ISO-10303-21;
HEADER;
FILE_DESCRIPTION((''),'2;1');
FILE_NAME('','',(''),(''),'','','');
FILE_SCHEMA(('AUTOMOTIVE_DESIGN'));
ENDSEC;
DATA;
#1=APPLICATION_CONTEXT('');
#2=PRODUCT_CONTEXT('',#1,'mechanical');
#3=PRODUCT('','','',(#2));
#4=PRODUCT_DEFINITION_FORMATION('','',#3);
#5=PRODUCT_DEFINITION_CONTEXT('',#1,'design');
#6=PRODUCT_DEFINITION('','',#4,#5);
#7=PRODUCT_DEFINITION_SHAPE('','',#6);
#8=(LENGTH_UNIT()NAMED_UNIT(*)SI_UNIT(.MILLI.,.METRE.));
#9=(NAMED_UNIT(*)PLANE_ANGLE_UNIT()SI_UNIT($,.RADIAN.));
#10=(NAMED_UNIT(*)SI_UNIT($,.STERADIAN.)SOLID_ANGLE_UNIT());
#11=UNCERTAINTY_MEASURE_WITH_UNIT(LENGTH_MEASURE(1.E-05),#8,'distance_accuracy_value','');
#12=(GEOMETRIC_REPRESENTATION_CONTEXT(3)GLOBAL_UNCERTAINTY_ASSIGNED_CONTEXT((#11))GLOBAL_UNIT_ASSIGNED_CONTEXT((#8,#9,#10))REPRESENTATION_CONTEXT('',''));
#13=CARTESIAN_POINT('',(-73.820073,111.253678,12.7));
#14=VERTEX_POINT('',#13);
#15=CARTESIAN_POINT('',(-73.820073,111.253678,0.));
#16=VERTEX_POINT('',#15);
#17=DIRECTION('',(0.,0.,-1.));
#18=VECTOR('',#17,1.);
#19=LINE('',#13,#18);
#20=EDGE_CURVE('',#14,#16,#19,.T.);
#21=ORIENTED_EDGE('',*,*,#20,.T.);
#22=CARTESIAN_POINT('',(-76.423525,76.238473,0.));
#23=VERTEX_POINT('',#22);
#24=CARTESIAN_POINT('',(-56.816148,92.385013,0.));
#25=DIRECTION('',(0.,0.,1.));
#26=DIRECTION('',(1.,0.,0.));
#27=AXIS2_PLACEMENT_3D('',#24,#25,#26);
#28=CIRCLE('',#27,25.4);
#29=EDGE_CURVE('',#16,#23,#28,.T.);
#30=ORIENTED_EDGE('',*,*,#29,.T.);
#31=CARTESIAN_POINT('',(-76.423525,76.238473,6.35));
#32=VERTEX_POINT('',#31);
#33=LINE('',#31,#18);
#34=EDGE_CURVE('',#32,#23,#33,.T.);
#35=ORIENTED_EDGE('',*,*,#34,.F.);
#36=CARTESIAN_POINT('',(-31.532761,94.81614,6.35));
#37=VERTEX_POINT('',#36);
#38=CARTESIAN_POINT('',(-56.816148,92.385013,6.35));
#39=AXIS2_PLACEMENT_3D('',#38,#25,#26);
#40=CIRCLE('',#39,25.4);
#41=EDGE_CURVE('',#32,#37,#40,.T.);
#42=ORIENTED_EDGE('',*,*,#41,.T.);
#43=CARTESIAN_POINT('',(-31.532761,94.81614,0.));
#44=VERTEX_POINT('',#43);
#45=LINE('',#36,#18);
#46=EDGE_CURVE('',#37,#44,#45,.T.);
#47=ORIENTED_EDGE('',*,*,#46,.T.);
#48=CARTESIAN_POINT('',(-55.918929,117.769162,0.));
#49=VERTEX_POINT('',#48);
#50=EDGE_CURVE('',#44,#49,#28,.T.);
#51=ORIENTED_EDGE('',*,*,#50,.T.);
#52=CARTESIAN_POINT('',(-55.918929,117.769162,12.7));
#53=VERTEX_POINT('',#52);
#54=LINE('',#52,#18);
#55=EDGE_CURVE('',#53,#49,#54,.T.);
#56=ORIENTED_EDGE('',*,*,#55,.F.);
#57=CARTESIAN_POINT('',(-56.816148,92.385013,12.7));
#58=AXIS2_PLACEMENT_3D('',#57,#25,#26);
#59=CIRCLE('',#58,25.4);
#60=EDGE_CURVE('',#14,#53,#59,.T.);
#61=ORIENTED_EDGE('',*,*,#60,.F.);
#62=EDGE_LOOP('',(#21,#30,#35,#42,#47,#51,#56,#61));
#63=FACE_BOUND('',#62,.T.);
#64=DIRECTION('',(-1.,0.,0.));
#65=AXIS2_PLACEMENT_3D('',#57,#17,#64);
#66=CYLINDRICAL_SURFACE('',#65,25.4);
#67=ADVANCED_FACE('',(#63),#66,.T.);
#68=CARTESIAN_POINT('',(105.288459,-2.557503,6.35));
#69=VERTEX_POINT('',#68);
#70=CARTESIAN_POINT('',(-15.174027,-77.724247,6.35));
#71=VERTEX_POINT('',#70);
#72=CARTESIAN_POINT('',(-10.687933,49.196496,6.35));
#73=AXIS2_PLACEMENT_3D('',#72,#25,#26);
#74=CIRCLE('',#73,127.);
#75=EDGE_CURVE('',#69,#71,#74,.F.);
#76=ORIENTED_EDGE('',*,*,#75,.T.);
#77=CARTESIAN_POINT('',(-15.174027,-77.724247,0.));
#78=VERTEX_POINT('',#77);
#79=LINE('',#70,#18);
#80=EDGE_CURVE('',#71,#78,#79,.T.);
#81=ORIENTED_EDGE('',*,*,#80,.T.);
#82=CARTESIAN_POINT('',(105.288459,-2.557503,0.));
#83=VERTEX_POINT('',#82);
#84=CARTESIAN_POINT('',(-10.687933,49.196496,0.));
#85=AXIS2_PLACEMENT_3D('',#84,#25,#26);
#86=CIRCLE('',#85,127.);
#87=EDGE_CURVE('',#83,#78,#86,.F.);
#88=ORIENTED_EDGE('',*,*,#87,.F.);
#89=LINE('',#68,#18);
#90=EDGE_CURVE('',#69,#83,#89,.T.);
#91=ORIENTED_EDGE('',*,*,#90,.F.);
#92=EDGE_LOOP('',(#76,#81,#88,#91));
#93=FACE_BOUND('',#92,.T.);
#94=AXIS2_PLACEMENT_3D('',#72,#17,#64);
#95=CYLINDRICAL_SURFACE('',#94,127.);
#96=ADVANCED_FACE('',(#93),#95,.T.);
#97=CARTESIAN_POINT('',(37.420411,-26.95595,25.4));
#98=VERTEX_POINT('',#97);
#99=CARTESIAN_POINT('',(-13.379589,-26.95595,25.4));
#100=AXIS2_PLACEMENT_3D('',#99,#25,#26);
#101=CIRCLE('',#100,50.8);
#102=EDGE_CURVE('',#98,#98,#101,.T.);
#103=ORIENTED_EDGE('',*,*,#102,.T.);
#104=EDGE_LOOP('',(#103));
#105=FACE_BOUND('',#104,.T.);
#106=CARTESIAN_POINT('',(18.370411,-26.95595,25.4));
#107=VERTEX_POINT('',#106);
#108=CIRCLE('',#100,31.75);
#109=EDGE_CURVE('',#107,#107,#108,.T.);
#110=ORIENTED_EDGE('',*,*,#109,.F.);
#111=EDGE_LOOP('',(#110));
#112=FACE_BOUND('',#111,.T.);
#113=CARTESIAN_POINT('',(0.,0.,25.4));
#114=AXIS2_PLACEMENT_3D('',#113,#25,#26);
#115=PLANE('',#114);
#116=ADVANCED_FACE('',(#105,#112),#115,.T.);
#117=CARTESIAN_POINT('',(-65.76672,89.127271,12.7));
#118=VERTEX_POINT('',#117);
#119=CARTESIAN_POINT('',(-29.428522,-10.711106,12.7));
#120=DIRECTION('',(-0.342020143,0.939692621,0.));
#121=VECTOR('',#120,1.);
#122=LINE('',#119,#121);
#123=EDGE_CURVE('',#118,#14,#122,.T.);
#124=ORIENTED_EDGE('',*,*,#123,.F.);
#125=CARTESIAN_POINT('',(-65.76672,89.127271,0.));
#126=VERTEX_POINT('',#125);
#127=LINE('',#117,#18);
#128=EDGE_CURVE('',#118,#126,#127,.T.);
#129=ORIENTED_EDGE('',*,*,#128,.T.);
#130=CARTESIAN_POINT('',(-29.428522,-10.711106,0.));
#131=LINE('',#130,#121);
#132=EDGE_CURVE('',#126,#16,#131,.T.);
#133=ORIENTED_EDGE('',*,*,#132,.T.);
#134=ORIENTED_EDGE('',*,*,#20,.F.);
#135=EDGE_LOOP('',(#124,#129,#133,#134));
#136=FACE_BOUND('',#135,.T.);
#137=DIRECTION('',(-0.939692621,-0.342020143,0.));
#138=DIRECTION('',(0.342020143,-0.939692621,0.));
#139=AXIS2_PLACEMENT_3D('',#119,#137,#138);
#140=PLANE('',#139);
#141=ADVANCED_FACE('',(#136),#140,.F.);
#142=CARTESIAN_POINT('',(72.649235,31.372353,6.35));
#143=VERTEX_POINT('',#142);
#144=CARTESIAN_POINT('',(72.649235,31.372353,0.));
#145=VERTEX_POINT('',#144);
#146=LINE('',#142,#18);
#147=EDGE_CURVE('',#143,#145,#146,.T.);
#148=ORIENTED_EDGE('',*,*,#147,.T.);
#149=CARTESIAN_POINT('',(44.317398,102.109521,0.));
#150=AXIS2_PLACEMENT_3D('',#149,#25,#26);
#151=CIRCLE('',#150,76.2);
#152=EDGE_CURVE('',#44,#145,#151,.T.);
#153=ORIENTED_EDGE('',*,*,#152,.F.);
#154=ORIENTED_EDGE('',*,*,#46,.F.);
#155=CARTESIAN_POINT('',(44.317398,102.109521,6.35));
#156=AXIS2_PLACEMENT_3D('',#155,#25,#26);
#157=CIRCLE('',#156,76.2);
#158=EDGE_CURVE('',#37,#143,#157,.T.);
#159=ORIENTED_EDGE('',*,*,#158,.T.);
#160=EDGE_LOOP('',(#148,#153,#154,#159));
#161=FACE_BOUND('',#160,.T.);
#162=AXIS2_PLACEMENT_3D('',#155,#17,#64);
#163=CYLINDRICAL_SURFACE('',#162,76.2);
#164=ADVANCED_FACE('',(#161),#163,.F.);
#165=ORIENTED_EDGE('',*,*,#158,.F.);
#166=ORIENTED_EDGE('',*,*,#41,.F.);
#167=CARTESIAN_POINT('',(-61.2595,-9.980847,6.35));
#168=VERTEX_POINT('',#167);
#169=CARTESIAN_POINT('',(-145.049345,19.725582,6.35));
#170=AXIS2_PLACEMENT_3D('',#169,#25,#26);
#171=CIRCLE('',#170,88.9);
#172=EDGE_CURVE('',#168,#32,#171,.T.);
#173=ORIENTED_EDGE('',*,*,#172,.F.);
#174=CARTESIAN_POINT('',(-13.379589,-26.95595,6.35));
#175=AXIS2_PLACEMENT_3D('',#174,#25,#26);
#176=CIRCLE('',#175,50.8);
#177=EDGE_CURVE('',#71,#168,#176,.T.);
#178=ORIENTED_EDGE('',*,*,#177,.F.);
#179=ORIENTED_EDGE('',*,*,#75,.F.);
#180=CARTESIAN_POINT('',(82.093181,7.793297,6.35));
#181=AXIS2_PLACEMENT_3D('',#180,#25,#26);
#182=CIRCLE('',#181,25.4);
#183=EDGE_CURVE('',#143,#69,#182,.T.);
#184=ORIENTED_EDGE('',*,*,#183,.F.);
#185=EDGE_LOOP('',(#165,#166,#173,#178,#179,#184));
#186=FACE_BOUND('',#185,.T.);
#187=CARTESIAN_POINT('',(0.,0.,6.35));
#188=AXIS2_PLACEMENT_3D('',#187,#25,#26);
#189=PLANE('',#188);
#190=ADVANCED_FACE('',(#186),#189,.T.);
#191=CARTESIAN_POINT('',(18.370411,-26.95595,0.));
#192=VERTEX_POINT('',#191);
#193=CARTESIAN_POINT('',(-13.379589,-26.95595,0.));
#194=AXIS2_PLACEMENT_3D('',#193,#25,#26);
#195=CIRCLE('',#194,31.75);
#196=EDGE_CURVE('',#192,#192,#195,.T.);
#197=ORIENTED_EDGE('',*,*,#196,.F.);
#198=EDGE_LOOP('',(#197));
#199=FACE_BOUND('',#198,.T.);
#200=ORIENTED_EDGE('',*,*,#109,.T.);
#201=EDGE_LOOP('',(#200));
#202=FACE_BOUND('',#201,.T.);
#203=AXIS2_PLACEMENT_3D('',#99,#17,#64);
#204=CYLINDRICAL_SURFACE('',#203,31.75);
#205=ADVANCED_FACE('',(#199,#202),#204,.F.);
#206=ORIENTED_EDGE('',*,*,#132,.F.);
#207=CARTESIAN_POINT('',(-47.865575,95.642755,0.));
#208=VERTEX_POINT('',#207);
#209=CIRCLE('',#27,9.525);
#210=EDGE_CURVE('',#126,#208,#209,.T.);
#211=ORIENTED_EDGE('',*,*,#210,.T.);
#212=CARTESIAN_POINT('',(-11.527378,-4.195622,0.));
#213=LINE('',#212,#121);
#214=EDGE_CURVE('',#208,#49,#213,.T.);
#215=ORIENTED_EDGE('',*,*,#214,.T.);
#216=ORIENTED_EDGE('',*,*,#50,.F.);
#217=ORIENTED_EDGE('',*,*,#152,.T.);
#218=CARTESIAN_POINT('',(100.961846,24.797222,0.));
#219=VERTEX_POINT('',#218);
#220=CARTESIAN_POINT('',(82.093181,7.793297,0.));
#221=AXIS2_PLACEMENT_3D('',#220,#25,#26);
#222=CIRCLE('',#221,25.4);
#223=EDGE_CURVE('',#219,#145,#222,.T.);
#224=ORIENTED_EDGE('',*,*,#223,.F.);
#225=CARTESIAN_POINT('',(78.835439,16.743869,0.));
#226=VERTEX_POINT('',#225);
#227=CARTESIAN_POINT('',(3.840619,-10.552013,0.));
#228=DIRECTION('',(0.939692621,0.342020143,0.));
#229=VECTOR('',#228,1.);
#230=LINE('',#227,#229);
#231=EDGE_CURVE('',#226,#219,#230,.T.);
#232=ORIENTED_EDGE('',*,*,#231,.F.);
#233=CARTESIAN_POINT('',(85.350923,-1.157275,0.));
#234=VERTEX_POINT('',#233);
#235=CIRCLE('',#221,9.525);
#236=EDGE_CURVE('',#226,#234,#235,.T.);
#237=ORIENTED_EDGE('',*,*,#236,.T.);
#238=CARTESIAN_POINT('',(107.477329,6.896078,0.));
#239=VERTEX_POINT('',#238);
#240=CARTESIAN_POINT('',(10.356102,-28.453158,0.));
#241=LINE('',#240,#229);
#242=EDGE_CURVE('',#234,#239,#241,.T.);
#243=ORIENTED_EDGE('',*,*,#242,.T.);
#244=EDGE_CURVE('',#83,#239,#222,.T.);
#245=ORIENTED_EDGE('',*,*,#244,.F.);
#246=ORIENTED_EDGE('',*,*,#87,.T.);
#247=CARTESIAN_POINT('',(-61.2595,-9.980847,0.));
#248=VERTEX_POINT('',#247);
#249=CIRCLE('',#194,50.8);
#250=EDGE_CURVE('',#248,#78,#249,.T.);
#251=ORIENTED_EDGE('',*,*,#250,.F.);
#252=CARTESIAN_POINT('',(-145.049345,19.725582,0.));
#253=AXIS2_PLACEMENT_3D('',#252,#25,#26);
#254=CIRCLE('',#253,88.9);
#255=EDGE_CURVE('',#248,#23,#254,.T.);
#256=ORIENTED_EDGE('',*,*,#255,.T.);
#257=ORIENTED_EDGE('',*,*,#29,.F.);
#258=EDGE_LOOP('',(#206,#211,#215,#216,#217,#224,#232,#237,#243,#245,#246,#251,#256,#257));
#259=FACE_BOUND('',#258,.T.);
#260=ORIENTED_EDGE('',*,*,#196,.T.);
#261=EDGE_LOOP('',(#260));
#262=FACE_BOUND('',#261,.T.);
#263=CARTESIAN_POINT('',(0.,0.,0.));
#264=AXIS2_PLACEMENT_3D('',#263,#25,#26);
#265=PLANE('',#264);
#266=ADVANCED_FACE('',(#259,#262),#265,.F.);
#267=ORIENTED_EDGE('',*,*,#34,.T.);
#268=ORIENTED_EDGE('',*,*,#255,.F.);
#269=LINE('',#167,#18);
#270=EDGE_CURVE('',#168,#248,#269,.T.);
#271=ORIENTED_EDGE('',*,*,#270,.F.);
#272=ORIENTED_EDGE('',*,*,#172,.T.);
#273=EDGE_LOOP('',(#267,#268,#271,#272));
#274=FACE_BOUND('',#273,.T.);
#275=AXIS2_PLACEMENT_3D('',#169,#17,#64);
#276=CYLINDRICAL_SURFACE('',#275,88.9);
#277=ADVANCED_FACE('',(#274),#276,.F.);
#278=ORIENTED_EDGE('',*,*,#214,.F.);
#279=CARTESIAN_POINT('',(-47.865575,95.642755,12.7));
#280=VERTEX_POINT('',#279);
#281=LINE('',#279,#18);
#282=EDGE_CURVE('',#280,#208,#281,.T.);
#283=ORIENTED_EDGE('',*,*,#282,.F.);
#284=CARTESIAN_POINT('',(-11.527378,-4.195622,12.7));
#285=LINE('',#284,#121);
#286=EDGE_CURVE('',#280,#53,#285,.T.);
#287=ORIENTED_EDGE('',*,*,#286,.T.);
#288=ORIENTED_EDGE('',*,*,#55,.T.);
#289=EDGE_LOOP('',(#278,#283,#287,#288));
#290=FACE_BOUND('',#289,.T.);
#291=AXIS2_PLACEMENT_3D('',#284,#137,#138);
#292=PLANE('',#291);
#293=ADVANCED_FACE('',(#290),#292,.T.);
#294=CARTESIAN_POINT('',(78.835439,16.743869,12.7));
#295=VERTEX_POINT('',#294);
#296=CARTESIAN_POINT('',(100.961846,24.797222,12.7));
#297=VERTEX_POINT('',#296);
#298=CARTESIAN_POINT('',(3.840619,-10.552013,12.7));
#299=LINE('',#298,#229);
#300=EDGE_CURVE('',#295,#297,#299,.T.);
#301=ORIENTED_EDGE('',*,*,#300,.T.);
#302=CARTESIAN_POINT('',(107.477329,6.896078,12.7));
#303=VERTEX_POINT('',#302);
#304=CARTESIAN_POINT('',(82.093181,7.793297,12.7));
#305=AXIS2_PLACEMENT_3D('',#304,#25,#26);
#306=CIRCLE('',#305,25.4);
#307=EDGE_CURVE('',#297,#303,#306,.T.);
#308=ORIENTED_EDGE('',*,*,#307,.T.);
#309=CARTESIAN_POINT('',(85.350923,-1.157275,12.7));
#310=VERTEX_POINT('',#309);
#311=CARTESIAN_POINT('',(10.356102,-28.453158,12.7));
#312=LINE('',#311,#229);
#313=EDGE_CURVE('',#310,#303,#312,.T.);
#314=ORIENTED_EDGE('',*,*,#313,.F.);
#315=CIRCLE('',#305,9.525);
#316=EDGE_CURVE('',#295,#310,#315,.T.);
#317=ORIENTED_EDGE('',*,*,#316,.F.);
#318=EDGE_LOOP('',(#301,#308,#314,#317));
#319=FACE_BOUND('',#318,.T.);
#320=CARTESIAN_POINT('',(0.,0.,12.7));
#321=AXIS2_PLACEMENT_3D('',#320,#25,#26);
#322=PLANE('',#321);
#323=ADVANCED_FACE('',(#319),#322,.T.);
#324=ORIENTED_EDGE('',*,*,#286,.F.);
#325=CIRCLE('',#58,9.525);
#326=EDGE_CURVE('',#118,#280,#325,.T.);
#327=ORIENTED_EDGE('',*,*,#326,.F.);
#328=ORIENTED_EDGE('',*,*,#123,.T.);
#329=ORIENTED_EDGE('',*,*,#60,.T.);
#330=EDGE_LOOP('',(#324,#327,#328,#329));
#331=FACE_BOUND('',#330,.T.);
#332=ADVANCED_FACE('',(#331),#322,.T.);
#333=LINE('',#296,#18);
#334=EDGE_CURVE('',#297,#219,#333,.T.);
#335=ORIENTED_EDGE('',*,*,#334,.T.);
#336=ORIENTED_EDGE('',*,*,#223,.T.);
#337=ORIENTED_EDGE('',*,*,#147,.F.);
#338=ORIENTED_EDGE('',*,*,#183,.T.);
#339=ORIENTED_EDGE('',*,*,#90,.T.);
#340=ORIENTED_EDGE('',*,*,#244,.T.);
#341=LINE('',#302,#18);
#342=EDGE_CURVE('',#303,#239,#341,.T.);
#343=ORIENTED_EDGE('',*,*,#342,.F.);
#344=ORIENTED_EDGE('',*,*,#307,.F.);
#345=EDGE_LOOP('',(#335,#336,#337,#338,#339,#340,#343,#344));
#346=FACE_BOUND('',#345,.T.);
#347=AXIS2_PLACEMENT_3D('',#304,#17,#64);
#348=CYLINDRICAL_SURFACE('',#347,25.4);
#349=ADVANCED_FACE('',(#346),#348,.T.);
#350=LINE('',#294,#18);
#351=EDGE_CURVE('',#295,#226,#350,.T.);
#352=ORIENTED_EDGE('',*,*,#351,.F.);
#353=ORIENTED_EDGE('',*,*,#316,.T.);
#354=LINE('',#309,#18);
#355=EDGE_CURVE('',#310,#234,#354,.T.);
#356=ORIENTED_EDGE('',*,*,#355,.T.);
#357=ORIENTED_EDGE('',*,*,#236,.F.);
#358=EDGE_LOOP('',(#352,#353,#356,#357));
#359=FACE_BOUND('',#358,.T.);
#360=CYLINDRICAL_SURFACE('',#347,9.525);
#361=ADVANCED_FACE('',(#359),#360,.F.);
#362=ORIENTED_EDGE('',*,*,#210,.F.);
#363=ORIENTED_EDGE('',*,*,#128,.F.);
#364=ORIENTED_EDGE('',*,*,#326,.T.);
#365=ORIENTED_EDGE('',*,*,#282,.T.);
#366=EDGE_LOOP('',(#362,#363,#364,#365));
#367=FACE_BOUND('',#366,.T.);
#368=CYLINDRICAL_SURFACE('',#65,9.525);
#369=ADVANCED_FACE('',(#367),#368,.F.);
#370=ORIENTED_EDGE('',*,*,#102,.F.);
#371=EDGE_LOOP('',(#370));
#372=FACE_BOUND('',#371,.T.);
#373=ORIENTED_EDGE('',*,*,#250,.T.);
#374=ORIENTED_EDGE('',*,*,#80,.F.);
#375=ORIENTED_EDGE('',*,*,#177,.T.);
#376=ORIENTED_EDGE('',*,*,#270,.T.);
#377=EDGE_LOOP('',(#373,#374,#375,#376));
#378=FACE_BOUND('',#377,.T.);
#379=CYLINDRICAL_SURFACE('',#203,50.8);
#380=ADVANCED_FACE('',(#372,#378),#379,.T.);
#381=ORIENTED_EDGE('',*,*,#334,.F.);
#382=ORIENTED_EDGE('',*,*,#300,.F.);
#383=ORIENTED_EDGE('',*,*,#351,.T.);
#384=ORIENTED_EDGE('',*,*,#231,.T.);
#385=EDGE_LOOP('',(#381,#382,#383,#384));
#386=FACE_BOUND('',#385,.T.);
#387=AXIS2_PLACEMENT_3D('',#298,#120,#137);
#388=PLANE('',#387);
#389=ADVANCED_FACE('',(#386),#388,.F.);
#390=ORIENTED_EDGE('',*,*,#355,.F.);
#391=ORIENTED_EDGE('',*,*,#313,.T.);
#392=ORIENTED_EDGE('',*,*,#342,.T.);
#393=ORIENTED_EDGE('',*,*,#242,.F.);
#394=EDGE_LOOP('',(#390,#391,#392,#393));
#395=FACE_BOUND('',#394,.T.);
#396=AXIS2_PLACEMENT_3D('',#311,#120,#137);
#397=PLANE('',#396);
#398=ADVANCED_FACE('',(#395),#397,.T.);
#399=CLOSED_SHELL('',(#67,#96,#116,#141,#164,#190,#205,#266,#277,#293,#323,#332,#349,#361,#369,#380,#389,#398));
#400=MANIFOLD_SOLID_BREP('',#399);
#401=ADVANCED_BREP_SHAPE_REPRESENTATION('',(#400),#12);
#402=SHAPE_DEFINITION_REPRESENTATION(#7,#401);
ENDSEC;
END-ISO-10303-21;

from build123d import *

# Parameters (mm, degrees)
BOSS_EXTRUDE1_DEPTH = 6.35
BOSS_EXTRUDE2_DEPTH = 12.7
SKETCH1_4_R         = 31.75
BOSS_EXTRUDE3_DEPTH = 25.4


with BuildPart() as part:
    # Sketch1 → Boss-Extrude1 (new body)
    with BuildSketch(Plane.XY):
        with BuildLine():
            ThreePointArc((72.649235075, 31.372352915), (4.684377865, 37.027544064), (-31.532761281, 94.816140123))
            ThreePointArc((-31.532761281, 94.816140123), (-47.103439421, 68.915388021), (-76.423524765, 76.238472936))
            ThreePointArc((-76.423524765, 76.238472936), (-57.493211559, 35.124721846), (-61.259500498, -9.980847149))
            ThreePointArc((-61.259500498, -9.980847149), (-4.767373791, 23.108705876), (37.42041065, -26.955949752))
            ThreePointArc((37.42041065, -26.955949752), (21.901301878, -63.505897962), (-15.174026915, -77.724246886))
            ThreePointArc((-15.174026915, -77.724246886), (56.54324661, -58.54842731), (105.288459403, -2.557502975))
            ThreePointArc((105.288459403, -2.557502975), (63.787892957, -9.815690456), (72.649235075, 31.372352915))
        make_face()
    extrude(amount=BOSS_EXTRUDE1_DEPTH)

    # Sketch1<3> → Boss-Extrude2 (add)
    with BuildSketch(Plane.XY):
        with BuildLine():
            Line((-55.91892877, 117.769161654), (-47.865575339, 95.642754953))
            ThreePointArc((-47.865575339, 95.642754953), (-53.558405687, 83.434440874), (-65.766719765, 89.127271222))
            Line((-65.766719765, 89.127271222), (-73.820073196, 111.253677924))
            ThreePointArc((-73.820073196, 111.253677924), (-48.128835912, 68.516820519), (-55.91892877, 117.769161654))
        make_face()
        with BuildLine():
            ThreePointArc((100.961845758, 24.797222453), (58.224988354, -0.894014831), (107.477329489, 6.896078027))
            Line((107.477329489, 6.896078027), (85.350922787, -1.157275404))
            ThreePointArc((85.350922787, -1.157275404), (73.142608709, 4.535554944), (78.835439057, 16.743869022))
            Line((78.835439057, 16.743869022), (100.961845758, 24.797222453))
        make_face()
    extrude(amount=BOSS_EXTRUDE2_DEPTH)

    # Sketch1<4> → Boss-Extrude3 (add)
    with BuildSketch(Plane.XY):
        with BuildLine():
            ThreePointArc((37.42041065, -26.955949752), (-4.767373791, 23.108705876), (-61.259500498, -9.980847149))
            ThreePointArc((-61.259500498, -9.980847149), (-55.381699797, -55.529761504), (-15.174026915, -77.724246886))
            ThreePointArc((-15.174026915, -77.724246886), (21.901301878, -63.505897962), (37.42041065, -26.955949752))
        make_face()
        with Locations((-13.37958935, -26.955949752)):
            Circle(SKETCH1_4_R, mode=Mode.SUBTRACT)
    extrude(amount=BOSS_EXTRUDE3_DEPTH)


solid = part.part
